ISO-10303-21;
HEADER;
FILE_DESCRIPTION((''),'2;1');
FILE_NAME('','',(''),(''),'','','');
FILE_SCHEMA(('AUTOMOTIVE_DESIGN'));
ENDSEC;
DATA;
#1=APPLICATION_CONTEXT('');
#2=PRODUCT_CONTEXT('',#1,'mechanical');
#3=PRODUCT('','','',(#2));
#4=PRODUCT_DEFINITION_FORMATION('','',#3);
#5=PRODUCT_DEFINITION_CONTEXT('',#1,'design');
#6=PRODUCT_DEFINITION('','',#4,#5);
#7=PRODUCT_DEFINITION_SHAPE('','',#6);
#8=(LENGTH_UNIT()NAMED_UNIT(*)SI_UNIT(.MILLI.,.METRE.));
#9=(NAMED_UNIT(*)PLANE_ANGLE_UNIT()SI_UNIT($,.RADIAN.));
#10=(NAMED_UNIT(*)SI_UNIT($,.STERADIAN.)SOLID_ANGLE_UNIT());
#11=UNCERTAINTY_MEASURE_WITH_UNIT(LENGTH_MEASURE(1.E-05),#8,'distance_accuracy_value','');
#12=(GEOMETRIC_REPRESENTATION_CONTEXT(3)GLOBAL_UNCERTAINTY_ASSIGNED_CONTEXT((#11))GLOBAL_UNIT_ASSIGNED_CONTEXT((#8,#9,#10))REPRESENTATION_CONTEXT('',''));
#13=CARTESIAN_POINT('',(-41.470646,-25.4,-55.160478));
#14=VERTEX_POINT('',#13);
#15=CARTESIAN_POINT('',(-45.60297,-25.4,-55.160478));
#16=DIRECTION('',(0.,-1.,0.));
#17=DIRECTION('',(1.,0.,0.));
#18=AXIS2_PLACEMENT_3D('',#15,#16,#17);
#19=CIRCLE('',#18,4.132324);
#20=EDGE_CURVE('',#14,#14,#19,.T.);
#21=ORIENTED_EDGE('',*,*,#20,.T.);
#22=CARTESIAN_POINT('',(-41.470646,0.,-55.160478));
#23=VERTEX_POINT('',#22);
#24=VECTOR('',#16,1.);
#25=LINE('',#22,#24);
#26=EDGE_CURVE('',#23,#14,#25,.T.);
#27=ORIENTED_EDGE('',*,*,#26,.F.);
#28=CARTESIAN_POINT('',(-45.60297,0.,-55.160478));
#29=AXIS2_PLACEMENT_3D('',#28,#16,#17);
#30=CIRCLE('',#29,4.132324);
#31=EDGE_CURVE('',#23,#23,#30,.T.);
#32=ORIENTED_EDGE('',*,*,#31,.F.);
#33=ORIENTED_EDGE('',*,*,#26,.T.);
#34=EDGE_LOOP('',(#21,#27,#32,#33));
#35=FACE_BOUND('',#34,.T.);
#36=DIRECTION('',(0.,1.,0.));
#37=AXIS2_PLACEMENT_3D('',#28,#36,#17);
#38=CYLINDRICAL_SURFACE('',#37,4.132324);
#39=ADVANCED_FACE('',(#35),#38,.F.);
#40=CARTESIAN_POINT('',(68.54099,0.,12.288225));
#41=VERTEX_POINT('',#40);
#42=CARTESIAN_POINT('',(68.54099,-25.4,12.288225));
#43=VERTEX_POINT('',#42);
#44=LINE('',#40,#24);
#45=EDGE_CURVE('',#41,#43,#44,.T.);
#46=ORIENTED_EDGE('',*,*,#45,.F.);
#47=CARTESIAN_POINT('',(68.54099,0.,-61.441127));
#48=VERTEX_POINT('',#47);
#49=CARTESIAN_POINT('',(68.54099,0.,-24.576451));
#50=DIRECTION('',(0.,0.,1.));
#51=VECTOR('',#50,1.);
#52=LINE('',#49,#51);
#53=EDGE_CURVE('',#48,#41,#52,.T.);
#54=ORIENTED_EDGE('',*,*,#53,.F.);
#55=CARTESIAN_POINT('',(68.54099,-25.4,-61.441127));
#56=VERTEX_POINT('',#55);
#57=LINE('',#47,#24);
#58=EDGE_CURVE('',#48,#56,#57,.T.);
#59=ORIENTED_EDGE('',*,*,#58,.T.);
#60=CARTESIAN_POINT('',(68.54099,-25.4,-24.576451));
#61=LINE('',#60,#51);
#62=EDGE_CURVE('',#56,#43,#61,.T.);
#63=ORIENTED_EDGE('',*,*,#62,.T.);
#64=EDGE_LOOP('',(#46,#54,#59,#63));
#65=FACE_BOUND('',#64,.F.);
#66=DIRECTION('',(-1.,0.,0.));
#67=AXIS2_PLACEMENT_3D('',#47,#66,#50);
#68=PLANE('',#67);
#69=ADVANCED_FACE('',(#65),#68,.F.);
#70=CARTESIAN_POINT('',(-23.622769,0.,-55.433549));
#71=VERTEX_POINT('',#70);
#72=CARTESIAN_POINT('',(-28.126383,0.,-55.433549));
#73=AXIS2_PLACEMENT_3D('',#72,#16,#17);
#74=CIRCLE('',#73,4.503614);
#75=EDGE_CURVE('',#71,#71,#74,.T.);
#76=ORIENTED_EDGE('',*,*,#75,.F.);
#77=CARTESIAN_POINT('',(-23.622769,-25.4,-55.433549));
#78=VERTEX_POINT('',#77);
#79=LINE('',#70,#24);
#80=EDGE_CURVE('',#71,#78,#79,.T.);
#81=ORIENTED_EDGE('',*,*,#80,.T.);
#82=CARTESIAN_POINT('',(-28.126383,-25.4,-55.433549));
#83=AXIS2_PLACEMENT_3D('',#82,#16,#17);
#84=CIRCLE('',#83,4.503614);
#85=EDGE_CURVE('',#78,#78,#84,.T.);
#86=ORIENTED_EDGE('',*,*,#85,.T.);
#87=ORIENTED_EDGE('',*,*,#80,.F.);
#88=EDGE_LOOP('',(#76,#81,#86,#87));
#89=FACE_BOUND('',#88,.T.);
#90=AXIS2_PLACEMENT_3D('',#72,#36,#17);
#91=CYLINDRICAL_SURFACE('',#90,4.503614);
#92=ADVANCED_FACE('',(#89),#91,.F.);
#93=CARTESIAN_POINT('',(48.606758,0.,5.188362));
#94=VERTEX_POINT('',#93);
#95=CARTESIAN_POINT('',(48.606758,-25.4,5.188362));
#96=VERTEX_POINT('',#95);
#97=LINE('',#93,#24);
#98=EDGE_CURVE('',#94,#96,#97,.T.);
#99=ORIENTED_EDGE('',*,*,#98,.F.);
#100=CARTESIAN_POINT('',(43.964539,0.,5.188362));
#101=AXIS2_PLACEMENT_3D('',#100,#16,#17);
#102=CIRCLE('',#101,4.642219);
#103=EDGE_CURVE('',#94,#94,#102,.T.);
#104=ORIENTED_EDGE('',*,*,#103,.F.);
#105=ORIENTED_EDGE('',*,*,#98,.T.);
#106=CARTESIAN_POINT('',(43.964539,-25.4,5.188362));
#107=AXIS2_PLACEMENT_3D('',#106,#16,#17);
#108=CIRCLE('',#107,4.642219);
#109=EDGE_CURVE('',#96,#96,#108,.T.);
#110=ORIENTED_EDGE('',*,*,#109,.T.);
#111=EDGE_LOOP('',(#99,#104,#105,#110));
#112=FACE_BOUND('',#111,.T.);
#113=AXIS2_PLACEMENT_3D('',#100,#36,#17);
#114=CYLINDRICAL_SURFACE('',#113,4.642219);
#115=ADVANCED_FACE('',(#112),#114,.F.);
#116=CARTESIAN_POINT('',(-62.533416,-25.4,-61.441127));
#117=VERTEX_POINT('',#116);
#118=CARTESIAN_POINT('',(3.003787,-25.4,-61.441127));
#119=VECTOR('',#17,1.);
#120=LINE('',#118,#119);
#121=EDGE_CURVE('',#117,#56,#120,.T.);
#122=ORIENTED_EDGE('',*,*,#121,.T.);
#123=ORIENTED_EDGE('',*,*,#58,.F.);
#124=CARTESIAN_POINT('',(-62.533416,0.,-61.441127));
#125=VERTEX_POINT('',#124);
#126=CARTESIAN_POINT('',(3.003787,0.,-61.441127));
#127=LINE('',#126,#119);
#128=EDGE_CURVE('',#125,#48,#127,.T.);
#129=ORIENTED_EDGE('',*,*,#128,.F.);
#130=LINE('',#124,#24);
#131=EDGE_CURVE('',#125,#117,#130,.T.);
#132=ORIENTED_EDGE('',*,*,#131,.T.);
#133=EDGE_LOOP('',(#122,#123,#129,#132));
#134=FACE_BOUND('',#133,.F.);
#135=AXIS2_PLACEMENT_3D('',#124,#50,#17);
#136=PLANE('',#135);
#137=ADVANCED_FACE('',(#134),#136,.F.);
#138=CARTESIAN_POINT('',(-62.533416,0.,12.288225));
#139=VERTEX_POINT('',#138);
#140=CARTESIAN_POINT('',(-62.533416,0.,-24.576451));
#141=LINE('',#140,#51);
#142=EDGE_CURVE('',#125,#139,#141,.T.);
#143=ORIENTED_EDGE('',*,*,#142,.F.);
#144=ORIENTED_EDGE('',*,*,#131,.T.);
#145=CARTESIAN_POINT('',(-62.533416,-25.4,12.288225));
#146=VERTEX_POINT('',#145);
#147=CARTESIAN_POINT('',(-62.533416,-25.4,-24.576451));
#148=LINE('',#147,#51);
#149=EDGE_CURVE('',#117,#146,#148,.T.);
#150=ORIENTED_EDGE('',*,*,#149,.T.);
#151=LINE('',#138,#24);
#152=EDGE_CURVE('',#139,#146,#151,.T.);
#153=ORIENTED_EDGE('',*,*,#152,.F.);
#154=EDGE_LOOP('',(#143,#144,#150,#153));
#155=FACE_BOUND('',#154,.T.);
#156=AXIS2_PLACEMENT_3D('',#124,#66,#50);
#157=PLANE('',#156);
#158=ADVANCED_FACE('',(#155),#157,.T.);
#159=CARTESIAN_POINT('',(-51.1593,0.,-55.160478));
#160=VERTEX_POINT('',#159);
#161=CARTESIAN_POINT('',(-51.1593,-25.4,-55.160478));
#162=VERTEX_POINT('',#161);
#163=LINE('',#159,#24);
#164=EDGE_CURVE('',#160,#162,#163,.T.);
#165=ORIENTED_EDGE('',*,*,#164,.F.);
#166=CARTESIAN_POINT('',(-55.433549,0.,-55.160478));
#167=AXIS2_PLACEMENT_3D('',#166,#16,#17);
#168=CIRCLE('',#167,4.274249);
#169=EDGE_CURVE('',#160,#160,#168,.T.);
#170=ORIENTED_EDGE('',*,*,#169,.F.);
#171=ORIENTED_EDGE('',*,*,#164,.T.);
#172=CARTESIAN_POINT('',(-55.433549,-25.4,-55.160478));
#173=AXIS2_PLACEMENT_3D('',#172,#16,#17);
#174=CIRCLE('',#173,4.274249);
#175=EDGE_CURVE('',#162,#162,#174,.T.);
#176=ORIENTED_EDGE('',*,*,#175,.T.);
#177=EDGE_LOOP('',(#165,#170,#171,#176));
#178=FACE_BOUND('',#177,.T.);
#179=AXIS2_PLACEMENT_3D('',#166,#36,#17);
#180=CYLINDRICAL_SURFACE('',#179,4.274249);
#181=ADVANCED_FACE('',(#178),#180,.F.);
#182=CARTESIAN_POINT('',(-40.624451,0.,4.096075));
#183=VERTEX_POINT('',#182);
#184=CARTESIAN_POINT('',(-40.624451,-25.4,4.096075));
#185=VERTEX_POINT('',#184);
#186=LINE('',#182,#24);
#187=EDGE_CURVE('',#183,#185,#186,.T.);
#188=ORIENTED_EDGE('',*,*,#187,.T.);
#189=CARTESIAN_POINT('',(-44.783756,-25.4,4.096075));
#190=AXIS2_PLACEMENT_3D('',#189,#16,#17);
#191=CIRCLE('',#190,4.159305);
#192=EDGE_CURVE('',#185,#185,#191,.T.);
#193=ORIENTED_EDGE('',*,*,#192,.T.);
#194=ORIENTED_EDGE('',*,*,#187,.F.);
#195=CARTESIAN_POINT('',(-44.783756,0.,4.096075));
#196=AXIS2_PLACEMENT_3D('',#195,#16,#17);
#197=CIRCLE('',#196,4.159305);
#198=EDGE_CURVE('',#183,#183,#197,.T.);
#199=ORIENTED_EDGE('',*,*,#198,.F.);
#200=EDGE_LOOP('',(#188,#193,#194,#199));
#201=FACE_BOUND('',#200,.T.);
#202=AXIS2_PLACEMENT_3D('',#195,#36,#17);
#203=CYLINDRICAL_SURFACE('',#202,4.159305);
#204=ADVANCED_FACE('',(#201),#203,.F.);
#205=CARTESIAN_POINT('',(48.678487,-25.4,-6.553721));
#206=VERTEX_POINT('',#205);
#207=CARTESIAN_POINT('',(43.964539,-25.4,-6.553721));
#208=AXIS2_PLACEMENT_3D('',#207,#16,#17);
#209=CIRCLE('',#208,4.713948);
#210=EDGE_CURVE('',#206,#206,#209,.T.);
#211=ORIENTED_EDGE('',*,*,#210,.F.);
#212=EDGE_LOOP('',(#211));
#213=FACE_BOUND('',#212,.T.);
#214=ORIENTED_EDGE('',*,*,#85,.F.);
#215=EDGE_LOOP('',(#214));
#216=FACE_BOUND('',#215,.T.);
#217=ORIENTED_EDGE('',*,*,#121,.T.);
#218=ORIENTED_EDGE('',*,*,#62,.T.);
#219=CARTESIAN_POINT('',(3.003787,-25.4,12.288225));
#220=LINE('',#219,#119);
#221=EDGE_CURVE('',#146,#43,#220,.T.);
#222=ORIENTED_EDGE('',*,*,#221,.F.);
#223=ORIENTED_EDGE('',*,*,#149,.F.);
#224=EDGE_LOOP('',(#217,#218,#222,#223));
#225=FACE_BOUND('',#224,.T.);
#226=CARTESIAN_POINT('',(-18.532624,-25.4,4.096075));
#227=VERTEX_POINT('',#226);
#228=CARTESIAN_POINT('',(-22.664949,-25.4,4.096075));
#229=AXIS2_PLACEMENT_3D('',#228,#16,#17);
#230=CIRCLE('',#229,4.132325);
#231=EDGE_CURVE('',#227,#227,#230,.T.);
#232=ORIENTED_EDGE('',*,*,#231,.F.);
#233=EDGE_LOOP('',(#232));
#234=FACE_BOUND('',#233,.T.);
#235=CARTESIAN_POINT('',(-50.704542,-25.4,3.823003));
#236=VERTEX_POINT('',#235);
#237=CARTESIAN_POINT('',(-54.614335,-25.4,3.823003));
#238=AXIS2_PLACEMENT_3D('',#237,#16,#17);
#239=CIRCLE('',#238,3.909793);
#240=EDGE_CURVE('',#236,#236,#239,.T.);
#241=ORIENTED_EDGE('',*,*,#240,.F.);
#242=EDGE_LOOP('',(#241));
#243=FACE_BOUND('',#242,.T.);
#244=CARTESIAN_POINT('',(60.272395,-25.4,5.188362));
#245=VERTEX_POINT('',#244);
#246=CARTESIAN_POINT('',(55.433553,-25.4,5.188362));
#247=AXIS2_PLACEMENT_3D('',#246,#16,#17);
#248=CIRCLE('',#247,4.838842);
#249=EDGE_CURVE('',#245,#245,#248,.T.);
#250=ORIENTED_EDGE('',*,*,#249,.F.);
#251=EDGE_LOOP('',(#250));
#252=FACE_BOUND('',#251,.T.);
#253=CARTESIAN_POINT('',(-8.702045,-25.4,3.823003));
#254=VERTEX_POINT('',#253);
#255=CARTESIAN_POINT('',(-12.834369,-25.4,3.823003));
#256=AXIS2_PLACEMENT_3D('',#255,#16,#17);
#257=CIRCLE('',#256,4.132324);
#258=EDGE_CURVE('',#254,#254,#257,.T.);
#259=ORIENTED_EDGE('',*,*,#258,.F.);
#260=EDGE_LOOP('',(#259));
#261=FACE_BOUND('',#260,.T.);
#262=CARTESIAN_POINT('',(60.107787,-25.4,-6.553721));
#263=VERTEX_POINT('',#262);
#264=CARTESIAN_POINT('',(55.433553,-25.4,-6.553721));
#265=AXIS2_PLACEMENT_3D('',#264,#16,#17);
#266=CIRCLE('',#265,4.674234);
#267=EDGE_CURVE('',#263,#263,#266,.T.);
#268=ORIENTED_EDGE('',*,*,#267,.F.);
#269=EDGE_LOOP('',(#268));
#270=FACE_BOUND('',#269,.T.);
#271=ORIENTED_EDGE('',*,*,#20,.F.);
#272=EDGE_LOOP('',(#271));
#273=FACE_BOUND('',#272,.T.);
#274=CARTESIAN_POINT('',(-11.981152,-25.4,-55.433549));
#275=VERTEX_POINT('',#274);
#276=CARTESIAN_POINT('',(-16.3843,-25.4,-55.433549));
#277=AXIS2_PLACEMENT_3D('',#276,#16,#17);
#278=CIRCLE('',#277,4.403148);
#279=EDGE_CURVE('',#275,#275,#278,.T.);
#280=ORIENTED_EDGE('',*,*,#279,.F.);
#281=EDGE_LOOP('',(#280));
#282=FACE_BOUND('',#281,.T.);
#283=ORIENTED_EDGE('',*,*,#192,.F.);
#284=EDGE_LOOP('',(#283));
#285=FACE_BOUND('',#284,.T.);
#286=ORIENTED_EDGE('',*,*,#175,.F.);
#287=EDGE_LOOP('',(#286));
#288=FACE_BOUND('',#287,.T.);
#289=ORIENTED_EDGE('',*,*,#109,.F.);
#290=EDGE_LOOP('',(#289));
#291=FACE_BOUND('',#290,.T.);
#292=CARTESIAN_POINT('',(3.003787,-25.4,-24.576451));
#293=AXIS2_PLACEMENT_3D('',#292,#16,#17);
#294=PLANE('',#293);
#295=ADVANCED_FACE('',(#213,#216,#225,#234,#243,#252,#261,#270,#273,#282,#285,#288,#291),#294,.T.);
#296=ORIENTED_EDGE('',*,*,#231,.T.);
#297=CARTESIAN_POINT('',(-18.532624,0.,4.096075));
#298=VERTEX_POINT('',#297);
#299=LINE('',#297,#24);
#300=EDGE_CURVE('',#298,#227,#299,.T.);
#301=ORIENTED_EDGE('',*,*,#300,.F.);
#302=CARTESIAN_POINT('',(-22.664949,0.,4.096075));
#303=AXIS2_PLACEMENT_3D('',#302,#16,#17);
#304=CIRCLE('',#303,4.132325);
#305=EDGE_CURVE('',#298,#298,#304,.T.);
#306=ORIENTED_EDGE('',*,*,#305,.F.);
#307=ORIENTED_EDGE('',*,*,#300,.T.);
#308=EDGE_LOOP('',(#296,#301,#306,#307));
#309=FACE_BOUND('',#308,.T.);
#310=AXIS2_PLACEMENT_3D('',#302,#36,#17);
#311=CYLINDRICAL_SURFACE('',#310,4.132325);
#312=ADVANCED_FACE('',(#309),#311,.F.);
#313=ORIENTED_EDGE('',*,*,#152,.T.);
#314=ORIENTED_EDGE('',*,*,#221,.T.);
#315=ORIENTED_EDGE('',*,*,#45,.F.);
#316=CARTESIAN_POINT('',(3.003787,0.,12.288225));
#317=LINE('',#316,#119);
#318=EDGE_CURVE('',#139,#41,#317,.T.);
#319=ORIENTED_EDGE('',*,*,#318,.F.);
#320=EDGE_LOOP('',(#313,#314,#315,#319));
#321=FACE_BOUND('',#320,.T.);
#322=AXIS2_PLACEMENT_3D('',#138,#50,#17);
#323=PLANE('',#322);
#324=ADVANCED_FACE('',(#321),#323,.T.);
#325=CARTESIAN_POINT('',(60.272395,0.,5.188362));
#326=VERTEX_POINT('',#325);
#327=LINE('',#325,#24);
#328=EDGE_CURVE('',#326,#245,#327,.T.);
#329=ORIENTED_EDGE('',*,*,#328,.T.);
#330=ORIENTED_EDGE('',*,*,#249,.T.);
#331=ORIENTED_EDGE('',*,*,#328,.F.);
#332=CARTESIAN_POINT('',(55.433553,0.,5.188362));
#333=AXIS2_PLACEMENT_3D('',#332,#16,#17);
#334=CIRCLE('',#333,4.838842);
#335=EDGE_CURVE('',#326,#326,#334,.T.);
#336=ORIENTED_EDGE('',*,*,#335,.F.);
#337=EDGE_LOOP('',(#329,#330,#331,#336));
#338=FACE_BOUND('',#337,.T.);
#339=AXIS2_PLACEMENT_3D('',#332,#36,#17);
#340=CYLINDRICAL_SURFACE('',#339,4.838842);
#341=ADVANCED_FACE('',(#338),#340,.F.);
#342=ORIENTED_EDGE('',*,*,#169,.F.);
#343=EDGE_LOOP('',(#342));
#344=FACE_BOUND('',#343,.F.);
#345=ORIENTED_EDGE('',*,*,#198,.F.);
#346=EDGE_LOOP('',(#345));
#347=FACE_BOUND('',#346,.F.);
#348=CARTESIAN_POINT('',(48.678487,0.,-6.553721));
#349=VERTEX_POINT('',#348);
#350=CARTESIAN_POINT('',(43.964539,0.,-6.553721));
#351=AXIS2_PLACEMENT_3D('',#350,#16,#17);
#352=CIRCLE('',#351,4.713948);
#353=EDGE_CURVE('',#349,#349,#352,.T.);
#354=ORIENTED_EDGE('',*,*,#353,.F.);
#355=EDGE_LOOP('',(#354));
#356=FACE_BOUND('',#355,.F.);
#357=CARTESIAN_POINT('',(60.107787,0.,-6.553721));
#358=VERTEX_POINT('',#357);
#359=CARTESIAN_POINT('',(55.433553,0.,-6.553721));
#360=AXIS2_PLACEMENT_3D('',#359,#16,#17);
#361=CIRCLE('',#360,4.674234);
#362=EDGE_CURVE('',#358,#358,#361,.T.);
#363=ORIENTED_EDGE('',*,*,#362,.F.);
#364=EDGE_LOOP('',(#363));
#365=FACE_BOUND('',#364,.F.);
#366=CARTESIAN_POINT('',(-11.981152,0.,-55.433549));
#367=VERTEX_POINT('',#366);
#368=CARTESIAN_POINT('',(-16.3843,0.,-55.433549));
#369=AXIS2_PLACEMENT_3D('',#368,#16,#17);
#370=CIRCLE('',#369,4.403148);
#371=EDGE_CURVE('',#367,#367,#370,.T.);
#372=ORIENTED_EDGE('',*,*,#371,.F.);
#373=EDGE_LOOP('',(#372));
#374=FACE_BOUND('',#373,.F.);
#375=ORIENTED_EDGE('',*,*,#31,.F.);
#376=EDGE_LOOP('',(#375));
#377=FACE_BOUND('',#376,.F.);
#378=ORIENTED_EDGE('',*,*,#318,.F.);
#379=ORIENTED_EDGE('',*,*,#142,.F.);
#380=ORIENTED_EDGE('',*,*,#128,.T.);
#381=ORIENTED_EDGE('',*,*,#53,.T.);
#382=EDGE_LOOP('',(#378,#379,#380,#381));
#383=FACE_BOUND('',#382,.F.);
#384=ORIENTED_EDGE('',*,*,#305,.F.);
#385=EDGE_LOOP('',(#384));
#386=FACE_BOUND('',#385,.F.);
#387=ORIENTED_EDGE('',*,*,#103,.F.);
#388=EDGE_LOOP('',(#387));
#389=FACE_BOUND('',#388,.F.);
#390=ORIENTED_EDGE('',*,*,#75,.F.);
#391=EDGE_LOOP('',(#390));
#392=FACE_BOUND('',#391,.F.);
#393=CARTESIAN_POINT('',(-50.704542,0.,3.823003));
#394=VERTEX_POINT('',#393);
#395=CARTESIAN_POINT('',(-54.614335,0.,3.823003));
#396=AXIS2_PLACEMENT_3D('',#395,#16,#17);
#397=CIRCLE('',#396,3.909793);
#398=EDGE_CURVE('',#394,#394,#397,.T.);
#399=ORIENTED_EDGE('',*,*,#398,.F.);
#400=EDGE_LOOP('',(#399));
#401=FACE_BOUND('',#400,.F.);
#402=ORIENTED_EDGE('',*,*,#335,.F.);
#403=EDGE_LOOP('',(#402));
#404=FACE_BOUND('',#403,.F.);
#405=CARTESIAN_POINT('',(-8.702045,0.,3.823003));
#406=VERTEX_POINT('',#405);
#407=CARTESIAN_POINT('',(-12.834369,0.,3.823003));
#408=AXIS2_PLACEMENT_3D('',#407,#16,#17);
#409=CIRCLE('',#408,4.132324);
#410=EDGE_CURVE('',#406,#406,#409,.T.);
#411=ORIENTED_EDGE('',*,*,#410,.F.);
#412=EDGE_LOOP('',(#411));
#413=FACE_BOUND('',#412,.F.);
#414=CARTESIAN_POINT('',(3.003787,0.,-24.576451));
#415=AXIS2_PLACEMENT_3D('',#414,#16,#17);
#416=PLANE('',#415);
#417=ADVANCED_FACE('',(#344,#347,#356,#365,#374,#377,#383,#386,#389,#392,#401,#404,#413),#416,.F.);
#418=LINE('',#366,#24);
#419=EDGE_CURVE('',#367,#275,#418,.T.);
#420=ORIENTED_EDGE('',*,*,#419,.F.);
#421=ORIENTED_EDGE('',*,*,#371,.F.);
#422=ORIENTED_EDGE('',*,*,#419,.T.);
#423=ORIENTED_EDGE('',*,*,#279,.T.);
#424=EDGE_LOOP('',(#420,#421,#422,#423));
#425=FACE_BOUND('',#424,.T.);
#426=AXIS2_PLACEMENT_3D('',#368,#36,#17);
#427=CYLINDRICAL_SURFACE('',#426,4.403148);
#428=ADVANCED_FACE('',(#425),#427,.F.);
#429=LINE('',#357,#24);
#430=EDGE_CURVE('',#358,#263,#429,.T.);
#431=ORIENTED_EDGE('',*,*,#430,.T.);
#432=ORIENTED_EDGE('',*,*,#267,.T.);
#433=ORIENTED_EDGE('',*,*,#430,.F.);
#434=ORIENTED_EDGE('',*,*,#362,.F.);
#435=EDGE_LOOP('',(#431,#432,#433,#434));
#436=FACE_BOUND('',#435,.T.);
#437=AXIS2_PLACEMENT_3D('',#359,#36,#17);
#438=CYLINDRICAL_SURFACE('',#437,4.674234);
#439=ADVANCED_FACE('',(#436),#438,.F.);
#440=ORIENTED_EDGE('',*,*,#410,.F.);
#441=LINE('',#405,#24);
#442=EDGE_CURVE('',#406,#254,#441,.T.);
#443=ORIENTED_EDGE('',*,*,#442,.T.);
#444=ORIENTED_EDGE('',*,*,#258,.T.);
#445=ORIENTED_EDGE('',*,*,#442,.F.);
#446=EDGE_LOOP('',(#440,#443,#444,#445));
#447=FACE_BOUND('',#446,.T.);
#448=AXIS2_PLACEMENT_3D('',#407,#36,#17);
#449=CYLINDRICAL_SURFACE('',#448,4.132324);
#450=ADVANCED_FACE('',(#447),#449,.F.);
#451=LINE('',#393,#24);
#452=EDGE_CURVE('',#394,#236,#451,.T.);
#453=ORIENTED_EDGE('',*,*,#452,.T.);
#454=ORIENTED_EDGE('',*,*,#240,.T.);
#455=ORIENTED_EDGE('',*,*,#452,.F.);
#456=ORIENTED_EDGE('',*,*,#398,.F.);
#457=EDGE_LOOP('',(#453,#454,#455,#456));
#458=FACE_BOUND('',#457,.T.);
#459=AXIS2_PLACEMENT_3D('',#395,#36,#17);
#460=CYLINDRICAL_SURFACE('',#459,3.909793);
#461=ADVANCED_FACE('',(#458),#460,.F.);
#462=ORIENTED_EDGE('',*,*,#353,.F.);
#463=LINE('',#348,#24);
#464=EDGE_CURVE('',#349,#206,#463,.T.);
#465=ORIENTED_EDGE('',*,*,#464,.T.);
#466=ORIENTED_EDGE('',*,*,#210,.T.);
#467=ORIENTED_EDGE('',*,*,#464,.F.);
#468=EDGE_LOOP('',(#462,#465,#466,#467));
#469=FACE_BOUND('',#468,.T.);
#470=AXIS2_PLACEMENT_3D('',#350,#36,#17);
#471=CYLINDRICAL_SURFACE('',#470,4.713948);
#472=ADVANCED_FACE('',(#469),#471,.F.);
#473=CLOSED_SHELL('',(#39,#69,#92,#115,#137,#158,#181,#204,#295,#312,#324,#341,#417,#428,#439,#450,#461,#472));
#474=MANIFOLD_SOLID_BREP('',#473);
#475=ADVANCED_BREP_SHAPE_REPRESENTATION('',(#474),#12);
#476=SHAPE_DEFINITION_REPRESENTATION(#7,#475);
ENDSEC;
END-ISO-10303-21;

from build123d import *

# Parameters (mm, degrees)
F0_W     = 131.074406
F0_H     = 73.729352
F0_R     = 4.274249
F0_R_2   = 4.132324
F0_R_3   = 4.503614
F0_R_4   = 4.403148
F0_R_5   = 3.909793
F0_R_6   = 4.159305
F0_R_7   = 4.132325
F0_R_8   = 4.713948
F0_R_9   = 4.674234
F0_R_10  = 4.642219
F0_R_11  = 4.838842
F1_DEPTH = 25.4


with BuildPart() as f1:
    # F0 (on Front) → F1 (new body)
    with BuildSketch(Plane.XZ):
        with Locations((3.003787, -24.576451)):
            Rectangle(F0_W, F0_H)
        with Locations((-55.433549, -55.160478)):
            Circle(F0_R, mode=Mode.SUBTRACT)
        with Locations((-45.60297, -55.160478)):
            Circle(F0_R_2, mode=Mode.SUBTRACT)
        with Locations((-28.126383, -55.433549)):
            Circle(F0_R_3, mode=Mode.SUBTRACT)
        with Locations((-16.3843, -55.433549)):
            Circle(F0_R_4, mode=Mode.SUBTRACT)
        with Locations((-54.614335, 3.823003)):
            Circle(F0_R_5, mode=Mode.SUBTRACT)
        with Locations((-44.783756, 4.096075)):
            Circle(F0_R_6, mode=Mode.SUBTRACT)
        with Locations((-22.664949, 4.096075)):
            Circle(F0_R_7, mode=Mode.SUBTRACT)
        with Locations((-12.834369, 3.823003)):
            Circle(F0_R_2, mode=Mode.SUBTRACT)
        with Locations((43.964539, -6.553721)):
            Circle(F0_R_8, mode=Mode.SUBTRACT)
        with Locations((55.433553, -6.553721)):
            Circle(F0_R_9, mode=Mode.SUBTRACT)
        with Locations((43.964539, 5.188362)):
            Circle(F0_R_10, mode=Mode.SUBTRACT)
        with Locations((55.433553, 5.188362)):
            Circle(F0_R_11, mode=Mode.SUBTRACT)
    extrude(amount=F1_DEPTH)


solid = f1.part
